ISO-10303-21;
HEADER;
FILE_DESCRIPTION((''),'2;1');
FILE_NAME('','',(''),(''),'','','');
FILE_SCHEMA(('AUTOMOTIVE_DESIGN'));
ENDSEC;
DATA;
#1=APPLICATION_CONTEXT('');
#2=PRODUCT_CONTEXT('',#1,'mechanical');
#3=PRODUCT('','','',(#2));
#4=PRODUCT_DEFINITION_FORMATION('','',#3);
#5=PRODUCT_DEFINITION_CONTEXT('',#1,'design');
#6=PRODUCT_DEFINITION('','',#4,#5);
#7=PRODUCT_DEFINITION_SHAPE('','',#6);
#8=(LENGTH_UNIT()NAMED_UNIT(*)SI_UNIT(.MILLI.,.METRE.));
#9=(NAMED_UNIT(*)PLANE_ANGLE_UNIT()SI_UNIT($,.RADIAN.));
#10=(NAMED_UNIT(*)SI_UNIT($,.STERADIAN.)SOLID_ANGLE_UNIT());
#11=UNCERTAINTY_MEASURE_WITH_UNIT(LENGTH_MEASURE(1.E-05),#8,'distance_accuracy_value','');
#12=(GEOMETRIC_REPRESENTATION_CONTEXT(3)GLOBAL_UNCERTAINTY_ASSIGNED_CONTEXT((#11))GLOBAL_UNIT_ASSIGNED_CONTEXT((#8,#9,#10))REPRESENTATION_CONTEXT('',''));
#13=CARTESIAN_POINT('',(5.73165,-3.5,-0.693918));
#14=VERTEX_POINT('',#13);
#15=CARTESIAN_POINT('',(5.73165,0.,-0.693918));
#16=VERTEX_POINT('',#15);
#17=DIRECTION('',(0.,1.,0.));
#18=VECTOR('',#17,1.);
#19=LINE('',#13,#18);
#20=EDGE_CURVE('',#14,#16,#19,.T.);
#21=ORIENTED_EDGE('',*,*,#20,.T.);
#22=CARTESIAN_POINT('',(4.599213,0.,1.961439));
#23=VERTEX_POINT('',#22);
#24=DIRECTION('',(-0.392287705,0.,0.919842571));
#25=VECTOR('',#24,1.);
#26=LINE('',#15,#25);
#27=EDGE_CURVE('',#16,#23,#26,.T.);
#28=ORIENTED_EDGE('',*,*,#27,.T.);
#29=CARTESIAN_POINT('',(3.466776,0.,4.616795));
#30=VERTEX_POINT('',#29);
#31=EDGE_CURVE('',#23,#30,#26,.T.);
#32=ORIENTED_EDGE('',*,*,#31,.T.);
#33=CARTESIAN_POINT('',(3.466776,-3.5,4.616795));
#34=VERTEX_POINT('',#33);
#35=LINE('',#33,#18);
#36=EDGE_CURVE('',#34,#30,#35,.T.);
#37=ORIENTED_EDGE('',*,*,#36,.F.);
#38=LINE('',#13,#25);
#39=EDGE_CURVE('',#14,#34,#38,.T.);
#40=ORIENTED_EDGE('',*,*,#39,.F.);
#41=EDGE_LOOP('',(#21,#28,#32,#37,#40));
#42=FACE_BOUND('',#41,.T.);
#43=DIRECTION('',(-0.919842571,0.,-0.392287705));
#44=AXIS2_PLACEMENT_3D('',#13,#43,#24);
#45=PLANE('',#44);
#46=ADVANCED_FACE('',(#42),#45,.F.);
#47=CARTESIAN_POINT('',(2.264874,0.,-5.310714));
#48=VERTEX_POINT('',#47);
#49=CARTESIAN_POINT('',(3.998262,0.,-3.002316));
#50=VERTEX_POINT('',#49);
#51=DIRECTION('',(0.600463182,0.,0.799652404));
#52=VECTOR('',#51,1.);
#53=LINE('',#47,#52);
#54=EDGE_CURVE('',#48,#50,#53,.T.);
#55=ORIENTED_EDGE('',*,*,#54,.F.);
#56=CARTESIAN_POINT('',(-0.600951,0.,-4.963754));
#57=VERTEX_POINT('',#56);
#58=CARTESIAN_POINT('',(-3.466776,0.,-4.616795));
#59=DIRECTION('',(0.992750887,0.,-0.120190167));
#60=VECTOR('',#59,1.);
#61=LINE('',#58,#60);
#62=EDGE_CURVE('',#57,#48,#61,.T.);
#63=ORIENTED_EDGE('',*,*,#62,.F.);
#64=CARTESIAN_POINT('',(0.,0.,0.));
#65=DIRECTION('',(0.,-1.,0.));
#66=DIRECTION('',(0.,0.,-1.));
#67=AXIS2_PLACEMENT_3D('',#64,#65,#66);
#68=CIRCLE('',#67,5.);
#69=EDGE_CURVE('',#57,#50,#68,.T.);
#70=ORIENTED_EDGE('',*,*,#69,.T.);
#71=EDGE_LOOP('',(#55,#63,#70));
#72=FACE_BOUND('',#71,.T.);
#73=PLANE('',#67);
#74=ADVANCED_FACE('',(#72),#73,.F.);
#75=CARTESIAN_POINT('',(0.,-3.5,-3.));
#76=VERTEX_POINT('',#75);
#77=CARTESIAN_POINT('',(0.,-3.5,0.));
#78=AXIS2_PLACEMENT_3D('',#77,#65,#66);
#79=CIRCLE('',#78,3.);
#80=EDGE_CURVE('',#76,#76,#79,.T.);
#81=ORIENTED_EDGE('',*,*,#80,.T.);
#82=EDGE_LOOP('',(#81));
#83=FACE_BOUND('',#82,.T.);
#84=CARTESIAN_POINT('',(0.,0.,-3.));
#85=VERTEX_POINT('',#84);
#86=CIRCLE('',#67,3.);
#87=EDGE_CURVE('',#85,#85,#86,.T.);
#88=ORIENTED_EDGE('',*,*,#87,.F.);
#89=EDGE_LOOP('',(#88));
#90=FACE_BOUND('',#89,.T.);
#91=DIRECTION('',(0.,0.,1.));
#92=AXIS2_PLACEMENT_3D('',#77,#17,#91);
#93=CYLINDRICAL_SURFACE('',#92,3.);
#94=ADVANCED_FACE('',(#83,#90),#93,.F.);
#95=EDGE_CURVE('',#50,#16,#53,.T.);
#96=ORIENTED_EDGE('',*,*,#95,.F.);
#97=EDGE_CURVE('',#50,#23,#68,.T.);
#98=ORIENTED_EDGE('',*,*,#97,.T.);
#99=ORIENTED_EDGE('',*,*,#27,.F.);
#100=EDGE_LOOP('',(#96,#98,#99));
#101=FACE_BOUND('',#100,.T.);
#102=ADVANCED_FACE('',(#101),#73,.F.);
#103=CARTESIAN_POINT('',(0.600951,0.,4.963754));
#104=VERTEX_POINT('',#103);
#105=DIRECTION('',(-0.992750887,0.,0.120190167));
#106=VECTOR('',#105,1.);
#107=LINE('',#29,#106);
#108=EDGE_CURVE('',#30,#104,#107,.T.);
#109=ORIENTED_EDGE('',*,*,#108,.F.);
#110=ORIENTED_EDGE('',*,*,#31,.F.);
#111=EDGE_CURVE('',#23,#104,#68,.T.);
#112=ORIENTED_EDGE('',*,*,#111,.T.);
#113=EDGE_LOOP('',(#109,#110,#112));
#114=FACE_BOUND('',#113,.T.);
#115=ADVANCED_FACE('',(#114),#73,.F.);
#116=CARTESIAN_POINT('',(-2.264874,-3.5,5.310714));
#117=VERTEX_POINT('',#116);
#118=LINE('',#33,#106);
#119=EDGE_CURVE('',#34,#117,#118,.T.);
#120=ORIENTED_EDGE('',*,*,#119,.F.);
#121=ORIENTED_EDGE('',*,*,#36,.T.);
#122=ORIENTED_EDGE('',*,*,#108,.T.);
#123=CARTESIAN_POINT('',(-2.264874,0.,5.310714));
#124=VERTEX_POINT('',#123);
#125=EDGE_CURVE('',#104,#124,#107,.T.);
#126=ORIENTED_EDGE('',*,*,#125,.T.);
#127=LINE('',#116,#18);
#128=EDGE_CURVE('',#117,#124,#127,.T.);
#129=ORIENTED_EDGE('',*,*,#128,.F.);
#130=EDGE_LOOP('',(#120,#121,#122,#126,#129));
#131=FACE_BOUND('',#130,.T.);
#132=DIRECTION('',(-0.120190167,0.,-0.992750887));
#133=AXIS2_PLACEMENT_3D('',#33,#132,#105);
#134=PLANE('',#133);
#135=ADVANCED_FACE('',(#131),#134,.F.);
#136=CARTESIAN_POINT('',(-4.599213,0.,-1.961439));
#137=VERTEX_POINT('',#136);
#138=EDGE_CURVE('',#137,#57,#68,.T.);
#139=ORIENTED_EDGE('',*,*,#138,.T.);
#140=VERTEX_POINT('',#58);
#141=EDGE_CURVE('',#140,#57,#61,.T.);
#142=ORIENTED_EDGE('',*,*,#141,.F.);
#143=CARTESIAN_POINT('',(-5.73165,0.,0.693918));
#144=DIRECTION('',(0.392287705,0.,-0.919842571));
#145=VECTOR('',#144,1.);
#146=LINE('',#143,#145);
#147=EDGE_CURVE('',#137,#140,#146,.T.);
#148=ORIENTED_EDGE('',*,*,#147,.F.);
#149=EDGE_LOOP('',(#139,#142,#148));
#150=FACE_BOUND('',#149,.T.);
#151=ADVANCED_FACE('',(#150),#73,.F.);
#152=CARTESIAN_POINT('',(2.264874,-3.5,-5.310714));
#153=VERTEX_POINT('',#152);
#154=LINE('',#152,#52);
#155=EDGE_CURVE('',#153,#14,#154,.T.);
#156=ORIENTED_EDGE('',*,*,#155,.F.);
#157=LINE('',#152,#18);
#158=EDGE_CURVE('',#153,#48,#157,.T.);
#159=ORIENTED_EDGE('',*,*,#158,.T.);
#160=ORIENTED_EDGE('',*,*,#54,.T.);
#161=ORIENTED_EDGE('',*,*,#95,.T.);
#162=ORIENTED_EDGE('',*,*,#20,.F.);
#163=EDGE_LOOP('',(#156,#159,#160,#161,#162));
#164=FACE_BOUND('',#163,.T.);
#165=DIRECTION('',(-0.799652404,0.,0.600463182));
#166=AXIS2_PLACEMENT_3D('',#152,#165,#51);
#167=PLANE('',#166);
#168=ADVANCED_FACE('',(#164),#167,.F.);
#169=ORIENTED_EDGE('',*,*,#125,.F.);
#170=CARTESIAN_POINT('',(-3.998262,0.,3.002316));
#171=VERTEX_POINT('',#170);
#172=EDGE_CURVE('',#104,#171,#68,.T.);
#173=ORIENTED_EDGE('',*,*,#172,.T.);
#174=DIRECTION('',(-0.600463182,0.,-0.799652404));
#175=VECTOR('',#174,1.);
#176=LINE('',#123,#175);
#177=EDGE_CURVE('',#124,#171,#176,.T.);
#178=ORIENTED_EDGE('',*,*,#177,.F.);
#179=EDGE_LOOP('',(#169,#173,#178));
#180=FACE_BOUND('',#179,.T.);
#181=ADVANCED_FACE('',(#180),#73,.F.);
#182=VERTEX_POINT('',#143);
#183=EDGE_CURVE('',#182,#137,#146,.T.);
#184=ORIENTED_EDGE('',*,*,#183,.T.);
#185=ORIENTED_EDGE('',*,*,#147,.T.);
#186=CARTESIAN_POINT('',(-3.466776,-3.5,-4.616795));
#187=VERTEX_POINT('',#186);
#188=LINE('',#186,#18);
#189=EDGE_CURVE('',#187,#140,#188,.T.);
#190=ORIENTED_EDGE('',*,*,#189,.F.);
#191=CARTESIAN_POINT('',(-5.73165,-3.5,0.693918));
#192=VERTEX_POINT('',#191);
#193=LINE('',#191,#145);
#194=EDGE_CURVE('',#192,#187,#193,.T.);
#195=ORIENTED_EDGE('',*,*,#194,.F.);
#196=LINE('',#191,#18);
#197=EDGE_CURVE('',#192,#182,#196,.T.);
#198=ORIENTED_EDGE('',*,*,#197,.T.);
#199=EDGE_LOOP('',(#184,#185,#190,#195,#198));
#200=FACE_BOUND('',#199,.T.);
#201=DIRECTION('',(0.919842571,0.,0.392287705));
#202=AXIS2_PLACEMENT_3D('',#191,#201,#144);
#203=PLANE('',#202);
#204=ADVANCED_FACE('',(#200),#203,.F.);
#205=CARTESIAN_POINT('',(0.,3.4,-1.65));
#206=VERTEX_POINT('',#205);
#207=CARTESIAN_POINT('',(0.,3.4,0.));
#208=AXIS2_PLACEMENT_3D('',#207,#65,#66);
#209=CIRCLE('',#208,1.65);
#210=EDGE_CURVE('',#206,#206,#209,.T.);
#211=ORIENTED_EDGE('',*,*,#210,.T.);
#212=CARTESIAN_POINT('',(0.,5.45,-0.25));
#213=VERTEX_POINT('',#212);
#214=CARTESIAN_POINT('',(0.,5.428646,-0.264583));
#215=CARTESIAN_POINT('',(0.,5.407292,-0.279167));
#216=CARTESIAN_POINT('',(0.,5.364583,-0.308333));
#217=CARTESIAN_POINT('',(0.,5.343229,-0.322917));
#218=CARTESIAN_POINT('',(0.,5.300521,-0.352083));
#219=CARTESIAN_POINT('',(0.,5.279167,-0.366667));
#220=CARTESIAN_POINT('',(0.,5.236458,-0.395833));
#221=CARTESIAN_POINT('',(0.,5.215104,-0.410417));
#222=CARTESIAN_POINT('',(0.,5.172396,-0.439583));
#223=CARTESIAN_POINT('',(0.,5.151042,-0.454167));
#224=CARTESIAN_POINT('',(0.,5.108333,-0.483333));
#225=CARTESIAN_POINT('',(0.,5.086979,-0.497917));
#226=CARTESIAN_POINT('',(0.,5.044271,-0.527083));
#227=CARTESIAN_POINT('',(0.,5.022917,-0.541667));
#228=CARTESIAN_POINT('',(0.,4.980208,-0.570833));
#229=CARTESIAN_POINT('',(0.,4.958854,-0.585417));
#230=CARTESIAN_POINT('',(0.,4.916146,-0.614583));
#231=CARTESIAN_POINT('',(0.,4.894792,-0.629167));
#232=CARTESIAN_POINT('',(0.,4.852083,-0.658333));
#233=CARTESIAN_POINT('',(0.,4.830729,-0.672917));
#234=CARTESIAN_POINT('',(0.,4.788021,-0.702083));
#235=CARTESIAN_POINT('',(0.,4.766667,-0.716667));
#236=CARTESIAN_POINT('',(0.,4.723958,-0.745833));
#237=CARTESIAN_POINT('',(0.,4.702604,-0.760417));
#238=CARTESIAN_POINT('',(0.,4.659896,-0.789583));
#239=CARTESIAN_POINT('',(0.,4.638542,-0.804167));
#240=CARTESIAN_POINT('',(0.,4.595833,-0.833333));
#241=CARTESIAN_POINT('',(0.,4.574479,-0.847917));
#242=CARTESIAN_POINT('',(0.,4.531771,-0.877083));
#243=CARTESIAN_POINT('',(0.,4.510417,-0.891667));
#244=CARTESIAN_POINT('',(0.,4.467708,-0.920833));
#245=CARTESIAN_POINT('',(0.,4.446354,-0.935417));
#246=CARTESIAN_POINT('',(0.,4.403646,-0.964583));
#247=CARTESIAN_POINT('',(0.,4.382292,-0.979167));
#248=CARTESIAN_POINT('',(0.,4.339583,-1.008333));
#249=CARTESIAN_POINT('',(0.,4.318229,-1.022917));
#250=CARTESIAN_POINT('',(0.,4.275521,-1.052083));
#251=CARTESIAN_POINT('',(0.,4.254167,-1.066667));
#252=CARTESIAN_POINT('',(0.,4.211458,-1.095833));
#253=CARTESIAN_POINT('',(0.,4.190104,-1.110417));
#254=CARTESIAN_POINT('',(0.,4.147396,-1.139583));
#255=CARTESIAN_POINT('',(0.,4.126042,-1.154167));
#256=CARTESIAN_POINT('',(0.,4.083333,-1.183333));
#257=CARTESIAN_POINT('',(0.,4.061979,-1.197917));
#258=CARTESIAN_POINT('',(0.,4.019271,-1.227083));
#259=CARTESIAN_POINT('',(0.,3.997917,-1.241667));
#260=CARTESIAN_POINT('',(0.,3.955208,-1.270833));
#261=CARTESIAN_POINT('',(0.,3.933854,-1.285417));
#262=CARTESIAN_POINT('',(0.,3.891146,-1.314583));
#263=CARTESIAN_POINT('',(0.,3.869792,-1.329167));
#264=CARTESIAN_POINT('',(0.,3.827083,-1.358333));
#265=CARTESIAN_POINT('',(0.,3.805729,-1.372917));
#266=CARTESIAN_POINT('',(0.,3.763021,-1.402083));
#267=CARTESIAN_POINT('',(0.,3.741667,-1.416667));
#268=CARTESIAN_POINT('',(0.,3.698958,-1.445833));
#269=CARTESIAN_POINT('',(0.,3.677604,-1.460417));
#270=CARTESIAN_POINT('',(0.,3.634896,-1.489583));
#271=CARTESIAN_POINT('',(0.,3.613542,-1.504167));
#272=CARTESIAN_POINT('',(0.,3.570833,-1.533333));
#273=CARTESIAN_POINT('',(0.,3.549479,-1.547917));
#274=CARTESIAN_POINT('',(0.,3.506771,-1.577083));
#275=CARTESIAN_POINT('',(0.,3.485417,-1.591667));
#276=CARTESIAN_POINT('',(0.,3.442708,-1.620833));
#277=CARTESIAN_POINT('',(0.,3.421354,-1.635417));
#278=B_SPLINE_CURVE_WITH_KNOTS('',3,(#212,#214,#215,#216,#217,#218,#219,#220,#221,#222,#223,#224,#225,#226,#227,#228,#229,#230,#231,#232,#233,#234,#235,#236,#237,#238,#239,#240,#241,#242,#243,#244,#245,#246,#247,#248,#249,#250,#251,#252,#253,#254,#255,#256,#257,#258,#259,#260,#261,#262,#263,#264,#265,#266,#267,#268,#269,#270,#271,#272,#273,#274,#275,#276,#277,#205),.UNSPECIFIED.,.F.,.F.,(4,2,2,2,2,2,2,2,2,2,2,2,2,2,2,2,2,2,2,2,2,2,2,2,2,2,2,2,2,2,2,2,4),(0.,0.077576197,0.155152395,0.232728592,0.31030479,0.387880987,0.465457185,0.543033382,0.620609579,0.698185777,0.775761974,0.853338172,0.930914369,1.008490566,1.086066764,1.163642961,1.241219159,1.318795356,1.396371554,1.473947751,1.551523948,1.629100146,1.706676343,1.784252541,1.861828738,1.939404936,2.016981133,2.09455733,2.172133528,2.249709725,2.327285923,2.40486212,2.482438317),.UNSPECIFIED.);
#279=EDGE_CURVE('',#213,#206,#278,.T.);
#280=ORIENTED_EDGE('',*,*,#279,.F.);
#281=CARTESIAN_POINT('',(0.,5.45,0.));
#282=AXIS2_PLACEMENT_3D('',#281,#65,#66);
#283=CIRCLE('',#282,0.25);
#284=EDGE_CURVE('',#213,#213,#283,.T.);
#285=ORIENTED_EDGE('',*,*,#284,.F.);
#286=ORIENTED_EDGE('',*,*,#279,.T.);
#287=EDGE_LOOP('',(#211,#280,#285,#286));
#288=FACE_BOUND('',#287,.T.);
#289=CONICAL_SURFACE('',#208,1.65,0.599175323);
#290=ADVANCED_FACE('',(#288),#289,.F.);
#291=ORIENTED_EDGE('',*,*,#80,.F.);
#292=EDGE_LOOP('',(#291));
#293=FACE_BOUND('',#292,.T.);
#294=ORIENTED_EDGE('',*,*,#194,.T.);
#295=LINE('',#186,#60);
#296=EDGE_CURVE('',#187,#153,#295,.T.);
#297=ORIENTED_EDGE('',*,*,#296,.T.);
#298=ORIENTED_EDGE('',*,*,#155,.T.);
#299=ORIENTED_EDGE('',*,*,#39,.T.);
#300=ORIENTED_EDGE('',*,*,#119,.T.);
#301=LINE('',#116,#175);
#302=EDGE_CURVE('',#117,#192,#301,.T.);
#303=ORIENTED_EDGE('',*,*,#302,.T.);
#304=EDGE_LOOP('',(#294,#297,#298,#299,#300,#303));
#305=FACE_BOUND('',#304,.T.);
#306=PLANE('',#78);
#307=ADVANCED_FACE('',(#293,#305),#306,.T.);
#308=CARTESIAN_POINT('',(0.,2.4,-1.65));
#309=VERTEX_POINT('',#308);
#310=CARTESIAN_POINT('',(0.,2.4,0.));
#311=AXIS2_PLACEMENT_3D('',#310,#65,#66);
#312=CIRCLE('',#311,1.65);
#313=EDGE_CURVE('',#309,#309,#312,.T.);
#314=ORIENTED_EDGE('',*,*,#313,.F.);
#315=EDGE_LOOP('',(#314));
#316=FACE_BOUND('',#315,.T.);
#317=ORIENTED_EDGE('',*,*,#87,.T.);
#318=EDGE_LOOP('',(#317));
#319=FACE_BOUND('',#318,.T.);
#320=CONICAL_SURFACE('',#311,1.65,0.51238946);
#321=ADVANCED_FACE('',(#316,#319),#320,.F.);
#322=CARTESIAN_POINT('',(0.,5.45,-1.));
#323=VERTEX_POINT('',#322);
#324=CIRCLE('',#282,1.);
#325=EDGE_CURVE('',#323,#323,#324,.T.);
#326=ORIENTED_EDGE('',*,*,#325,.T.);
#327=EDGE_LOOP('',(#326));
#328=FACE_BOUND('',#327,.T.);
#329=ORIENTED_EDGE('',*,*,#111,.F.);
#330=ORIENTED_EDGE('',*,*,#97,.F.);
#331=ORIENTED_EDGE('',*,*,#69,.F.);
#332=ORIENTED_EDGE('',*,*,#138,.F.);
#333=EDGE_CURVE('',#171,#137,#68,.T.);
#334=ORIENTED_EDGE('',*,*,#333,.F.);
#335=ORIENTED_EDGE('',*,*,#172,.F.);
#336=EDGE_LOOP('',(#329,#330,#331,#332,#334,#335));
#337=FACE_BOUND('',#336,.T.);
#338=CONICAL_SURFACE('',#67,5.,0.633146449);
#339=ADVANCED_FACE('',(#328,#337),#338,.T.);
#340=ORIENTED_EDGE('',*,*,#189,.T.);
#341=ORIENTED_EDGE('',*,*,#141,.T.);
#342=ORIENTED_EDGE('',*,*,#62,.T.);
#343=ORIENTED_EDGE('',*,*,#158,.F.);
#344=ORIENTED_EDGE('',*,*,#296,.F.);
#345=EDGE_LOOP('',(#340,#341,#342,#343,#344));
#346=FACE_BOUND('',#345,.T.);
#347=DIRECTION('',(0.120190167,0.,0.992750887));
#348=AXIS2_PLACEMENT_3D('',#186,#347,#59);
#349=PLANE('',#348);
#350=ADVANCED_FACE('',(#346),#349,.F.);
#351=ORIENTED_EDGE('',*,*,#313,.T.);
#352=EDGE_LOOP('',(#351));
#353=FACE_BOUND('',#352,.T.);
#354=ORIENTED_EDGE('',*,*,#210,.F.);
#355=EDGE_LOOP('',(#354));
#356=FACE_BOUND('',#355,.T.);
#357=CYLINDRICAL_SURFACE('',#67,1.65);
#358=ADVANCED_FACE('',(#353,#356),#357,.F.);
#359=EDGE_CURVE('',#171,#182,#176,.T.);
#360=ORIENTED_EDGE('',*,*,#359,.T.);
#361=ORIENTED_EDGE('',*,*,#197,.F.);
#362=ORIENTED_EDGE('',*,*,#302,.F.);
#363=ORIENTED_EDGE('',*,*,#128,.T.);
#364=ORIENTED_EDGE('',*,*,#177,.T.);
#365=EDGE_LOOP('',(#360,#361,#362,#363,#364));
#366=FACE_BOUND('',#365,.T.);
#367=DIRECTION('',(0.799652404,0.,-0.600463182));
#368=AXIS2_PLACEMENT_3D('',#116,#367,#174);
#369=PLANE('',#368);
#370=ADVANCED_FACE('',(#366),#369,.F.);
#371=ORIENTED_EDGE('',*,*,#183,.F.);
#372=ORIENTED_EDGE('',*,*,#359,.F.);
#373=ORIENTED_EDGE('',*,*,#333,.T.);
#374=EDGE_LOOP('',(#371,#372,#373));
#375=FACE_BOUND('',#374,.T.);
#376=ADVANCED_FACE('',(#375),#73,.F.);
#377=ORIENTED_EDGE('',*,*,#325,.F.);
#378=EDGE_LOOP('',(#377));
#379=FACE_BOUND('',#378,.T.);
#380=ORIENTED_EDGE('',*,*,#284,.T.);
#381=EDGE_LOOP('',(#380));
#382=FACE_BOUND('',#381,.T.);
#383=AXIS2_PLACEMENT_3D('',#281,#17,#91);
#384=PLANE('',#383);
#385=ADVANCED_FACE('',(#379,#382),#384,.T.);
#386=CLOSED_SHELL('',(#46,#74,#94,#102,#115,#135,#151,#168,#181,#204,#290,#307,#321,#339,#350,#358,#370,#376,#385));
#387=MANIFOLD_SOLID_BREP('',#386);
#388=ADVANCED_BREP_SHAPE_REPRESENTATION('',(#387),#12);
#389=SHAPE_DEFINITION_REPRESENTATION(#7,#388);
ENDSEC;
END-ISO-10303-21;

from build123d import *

# Parameters (mm, degrees)
SKETCH10_R          = 3
BOSS_EXTRUDE2_DEPTH = 3.5


with BuildPart() as part:
    # Sketch1 → Revolve1 (revolve)
    with BuildSketch(Plane.XY, mode=Mode.PRIVATE) as revolve1_sk:
        Polygon((0, 0), (5, 0), (1, 5.45), (0, 5.45), align=None)
    revolve(revolve1_sk.sketch.rotate(Axis((0, -3.7, 0), (0, 1, 0)), 90), axis=Axis((0, -3.7, 0), (0, 1, 0)))

    # Sketch3 → Cut-Revolve1 (revolve, cut)
    with BuildSketch(Plane.XY, mode=Mode.PRIVATE) as cut_revolve1_sk:
        Polygon((-1.65, 3.4), (-1.65, 2.4), (-3, 0), (0, 0), (0, 3.4), align=None)
        Polygon((-0.25, 5.45), (0, 5.45), (0, 3.4), (-1.65, 3.4), align=None)
    revolve(cut_revolve1_sk.sketch.rotate(Axis((0, 0, 0), (0, 1, 0)), 270), axis=Axis((0, 0, 0), (0, 1, 0)), mode=Mode.SUBTRACT)

    # Sketch10 → Boss-Extrude2 (add)
    with BuildSketch(Plane.XZ):
        Polygon((5.731649919, -0.693918255), (3.466775796, 4.616795308), (-2.264874122, 5.310713562), (-5.731649919, 0.693918255), (-3.466775796, -4.616795308), (2.264874122, -5.310713562), align=None)
        with Locations(Location((0, 0, 0), (0, 0, 270))):
            Circle(SKETCH10_R, mode=Mode.SUBTRACT)
    extrude(amount=BOSS_EXTRUDE2_DEPTH)


solid = part.part
